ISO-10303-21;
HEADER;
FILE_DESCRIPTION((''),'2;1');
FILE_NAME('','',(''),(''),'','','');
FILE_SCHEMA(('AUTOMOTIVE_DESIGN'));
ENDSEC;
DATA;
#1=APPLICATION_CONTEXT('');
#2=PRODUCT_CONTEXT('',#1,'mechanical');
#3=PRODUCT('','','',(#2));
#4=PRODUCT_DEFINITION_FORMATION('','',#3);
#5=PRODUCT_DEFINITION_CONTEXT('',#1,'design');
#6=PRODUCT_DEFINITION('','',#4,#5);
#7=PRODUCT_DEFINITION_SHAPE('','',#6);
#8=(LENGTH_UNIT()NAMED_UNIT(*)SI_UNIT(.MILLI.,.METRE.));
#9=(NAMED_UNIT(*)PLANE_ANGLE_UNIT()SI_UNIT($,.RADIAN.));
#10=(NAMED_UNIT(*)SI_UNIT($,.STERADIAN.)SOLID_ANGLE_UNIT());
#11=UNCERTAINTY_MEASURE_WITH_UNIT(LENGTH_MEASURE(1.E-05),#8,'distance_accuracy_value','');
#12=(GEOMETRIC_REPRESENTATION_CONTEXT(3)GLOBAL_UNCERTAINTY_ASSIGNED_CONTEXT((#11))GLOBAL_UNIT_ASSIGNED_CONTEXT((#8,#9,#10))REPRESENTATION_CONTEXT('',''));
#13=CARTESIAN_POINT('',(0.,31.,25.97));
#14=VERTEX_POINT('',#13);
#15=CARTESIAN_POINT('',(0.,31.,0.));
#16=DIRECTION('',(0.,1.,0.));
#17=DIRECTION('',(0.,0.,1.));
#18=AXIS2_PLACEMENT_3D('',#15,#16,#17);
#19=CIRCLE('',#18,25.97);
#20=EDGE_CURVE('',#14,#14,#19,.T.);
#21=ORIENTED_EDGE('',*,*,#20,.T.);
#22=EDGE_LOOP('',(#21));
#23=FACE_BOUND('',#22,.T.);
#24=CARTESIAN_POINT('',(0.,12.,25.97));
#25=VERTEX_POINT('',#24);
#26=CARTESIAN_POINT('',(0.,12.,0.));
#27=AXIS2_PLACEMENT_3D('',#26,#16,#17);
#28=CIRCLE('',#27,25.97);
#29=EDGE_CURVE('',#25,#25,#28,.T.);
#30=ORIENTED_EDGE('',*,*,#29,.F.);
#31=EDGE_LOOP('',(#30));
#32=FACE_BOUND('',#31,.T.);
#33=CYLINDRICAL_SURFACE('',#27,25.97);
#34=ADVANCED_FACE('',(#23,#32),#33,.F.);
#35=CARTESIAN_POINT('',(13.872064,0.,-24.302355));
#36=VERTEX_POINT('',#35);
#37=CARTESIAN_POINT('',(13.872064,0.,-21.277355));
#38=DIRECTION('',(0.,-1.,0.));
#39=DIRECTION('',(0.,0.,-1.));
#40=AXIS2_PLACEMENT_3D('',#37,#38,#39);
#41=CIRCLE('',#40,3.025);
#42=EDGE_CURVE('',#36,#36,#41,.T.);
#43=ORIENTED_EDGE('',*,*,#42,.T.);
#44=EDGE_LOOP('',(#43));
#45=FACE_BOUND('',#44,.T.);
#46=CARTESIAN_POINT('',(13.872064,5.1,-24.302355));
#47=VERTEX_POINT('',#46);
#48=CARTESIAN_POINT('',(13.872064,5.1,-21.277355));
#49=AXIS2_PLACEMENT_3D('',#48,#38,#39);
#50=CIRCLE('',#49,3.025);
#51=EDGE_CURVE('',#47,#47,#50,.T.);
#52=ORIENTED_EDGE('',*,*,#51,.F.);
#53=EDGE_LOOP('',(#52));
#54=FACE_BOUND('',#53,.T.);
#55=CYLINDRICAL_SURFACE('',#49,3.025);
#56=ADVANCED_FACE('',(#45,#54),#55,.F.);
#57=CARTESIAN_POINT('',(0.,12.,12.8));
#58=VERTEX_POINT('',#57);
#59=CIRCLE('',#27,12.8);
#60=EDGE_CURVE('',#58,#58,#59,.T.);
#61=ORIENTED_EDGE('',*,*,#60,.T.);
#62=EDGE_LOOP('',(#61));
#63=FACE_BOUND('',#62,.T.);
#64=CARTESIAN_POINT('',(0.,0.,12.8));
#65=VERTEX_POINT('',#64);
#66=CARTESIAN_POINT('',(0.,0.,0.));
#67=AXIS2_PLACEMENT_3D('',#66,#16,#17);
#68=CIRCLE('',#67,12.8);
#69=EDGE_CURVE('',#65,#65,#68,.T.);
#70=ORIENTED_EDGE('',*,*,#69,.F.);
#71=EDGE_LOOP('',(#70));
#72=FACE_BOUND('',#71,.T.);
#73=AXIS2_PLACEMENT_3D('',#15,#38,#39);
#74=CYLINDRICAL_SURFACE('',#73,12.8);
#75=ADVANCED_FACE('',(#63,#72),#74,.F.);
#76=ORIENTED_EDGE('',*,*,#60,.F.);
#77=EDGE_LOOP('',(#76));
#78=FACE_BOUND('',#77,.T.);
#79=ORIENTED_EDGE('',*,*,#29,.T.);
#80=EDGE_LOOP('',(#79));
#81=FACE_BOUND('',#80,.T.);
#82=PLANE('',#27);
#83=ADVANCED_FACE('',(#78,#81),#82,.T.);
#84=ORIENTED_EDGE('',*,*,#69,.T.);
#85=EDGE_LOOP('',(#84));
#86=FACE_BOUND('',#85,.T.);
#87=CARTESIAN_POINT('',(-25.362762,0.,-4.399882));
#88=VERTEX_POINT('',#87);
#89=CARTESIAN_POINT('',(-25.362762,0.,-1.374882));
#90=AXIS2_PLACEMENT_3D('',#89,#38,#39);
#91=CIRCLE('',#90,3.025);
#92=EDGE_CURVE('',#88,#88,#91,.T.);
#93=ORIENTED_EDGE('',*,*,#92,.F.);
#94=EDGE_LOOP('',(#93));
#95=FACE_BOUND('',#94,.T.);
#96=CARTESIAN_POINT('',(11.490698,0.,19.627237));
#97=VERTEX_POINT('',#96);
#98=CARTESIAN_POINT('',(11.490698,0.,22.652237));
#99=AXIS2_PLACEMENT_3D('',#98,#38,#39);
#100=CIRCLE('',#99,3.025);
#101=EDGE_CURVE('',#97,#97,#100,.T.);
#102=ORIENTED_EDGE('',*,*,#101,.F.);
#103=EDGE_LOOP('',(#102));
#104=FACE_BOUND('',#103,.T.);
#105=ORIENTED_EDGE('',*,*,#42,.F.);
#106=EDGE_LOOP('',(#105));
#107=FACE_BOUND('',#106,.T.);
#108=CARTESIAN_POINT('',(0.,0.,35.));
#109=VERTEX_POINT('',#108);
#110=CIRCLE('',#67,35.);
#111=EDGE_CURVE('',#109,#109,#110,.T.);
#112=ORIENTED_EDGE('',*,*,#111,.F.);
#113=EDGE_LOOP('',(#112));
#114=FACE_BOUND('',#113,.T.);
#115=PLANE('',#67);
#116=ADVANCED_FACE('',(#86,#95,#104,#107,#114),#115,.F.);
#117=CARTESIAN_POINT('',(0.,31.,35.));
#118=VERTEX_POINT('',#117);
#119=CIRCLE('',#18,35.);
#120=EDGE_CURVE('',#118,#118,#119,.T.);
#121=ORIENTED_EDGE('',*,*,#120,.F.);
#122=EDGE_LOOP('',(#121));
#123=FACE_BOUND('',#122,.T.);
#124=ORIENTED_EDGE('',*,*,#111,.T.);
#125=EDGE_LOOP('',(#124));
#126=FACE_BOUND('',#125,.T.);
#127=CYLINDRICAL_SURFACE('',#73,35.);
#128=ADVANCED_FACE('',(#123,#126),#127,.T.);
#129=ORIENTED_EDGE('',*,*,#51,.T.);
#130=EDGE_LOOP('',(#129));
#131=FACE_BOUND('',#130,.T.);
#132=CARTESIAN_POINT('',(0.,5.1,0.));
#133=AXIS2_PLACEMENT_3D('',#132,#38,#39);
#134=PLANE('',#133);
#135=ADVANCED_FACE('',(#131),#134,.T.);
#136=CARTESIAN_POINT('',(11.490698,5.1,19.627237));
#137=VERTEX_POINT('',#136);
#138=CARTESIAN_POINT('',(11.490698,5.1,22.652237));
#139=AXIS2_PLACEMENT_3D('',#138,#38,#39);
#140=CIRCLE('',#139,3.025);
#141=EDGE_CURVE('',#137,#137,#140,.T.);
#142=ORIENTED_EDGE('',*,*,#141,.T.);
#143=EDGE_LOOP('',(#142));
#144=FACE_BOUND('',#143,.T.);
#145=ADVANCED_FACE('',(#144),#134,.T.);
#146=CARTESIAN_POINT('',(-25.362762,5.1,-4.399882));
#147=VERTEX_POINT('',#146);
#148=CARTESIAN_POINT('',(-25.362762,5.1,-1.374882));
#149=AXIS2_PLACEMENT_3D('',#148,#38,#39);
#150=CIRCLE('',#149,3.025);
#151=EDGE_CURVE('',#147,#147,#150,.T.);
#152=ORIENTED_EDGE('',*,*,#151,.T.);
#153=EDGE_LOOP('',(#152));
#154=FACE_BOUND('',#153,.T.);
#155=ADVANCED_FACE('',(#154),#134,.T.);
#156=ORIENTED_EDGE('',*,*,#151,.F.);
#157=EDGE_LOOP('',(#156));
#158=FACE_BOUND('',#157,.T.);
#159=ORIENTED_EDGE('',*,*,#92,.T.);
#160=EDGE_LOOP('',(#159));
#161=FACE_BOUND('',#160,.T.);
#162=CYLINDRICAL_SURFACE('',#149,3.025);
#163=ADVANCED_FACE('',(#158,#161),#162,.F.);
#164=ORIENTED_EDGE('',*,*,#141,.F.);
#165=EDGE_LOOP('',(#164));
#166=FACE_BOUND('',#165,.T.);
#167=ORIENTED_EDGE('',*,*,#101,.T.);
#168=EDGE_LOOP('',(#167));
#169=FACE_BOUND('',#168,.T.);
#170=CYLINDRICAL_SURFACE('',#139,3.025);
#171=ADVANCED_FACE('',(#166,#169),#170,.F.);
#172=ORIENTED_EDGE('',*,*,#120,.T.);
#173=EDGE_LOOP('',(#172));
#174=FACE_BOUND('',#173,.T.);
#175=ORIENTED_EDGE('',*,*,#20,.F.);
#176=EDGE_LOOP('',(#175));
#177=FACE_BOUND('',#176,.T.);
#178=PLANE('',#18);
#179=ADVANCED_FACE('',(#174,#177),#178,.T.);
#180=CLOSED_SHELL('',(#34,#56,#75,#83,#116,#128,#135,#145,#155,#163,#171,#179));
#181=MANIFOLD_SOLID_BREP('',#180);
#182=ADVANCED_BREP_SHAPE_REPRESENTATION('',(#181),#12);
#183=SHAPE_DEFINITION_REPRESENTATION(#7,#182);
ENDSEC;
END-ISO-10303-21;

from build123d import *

# Parameters (mm, degrees)
SKETCH1_R           = 35
SKETCH1_R_2         = 12.8
BOSS_EXTRUDE1_DEPTH = 31
SKETCH4_R           = 25.97
CUT_EXTRUDE3_DEPTH  = 19
SKETCH10_R          = 3.025
CUT_EXTRUDE6_DEPTH  = 5.1


with BuildPart() as part:
    # Sketch1 → Boss-Extrude1 (new body)
    with BuildSketch(Plane(origin=(0, 0, 0), x_dir=(1, 0, 0), z_dir=(0, 1, 0))):
        with Locations(Location((0, 0, 0), (0, 0, 270))):
            Circle(SKETCH1_R)
        with Locations(Location((0, 0, 0), (0, 0, 270))):
            Circle(SKETCH1_R_2, mode=Mode.SUBTRACT)
    extrude(amount=BOSS_EXTRUDE1_DEPTH)

    # Sketch4 → Cut-Extrude3 (cut)
    with BuildSketch(Plane(origin=(0, 31, 0), x_dir=(1, 0, 0), z_dir=(0, 1, 0))):
        with Locations(Location((0, 0, 0), (0, 0, 270))):
            Circle(SKETCH4_R)
    extrude(amount=-CUT_EXTRUDE3_DEPTH, mode=Mode.SUBTRACT)

    # Sketch10 → Cut-Extrude6 (cut)
    with BuildSketch(Plane.XZ):
        with Locations(Location((-25.362762045, -1.374882343, 0), (0, 0, 270))):
            Circle(SKETCH10_R)
        with Locations(Location((11.490697986, 22.652237412, 0), (0, 0, 270))):
            Circle(SKETCH10_R)
        with Locations(Location((13.872064059, -21.277355069, 0), (0, 0, 270))):
            Circle(SKETCH10_R)
    extrude(amount=-CUT_EXTRUDE6_DEPTH, mode=Mode.SUBTRACT)


solid = part.part
